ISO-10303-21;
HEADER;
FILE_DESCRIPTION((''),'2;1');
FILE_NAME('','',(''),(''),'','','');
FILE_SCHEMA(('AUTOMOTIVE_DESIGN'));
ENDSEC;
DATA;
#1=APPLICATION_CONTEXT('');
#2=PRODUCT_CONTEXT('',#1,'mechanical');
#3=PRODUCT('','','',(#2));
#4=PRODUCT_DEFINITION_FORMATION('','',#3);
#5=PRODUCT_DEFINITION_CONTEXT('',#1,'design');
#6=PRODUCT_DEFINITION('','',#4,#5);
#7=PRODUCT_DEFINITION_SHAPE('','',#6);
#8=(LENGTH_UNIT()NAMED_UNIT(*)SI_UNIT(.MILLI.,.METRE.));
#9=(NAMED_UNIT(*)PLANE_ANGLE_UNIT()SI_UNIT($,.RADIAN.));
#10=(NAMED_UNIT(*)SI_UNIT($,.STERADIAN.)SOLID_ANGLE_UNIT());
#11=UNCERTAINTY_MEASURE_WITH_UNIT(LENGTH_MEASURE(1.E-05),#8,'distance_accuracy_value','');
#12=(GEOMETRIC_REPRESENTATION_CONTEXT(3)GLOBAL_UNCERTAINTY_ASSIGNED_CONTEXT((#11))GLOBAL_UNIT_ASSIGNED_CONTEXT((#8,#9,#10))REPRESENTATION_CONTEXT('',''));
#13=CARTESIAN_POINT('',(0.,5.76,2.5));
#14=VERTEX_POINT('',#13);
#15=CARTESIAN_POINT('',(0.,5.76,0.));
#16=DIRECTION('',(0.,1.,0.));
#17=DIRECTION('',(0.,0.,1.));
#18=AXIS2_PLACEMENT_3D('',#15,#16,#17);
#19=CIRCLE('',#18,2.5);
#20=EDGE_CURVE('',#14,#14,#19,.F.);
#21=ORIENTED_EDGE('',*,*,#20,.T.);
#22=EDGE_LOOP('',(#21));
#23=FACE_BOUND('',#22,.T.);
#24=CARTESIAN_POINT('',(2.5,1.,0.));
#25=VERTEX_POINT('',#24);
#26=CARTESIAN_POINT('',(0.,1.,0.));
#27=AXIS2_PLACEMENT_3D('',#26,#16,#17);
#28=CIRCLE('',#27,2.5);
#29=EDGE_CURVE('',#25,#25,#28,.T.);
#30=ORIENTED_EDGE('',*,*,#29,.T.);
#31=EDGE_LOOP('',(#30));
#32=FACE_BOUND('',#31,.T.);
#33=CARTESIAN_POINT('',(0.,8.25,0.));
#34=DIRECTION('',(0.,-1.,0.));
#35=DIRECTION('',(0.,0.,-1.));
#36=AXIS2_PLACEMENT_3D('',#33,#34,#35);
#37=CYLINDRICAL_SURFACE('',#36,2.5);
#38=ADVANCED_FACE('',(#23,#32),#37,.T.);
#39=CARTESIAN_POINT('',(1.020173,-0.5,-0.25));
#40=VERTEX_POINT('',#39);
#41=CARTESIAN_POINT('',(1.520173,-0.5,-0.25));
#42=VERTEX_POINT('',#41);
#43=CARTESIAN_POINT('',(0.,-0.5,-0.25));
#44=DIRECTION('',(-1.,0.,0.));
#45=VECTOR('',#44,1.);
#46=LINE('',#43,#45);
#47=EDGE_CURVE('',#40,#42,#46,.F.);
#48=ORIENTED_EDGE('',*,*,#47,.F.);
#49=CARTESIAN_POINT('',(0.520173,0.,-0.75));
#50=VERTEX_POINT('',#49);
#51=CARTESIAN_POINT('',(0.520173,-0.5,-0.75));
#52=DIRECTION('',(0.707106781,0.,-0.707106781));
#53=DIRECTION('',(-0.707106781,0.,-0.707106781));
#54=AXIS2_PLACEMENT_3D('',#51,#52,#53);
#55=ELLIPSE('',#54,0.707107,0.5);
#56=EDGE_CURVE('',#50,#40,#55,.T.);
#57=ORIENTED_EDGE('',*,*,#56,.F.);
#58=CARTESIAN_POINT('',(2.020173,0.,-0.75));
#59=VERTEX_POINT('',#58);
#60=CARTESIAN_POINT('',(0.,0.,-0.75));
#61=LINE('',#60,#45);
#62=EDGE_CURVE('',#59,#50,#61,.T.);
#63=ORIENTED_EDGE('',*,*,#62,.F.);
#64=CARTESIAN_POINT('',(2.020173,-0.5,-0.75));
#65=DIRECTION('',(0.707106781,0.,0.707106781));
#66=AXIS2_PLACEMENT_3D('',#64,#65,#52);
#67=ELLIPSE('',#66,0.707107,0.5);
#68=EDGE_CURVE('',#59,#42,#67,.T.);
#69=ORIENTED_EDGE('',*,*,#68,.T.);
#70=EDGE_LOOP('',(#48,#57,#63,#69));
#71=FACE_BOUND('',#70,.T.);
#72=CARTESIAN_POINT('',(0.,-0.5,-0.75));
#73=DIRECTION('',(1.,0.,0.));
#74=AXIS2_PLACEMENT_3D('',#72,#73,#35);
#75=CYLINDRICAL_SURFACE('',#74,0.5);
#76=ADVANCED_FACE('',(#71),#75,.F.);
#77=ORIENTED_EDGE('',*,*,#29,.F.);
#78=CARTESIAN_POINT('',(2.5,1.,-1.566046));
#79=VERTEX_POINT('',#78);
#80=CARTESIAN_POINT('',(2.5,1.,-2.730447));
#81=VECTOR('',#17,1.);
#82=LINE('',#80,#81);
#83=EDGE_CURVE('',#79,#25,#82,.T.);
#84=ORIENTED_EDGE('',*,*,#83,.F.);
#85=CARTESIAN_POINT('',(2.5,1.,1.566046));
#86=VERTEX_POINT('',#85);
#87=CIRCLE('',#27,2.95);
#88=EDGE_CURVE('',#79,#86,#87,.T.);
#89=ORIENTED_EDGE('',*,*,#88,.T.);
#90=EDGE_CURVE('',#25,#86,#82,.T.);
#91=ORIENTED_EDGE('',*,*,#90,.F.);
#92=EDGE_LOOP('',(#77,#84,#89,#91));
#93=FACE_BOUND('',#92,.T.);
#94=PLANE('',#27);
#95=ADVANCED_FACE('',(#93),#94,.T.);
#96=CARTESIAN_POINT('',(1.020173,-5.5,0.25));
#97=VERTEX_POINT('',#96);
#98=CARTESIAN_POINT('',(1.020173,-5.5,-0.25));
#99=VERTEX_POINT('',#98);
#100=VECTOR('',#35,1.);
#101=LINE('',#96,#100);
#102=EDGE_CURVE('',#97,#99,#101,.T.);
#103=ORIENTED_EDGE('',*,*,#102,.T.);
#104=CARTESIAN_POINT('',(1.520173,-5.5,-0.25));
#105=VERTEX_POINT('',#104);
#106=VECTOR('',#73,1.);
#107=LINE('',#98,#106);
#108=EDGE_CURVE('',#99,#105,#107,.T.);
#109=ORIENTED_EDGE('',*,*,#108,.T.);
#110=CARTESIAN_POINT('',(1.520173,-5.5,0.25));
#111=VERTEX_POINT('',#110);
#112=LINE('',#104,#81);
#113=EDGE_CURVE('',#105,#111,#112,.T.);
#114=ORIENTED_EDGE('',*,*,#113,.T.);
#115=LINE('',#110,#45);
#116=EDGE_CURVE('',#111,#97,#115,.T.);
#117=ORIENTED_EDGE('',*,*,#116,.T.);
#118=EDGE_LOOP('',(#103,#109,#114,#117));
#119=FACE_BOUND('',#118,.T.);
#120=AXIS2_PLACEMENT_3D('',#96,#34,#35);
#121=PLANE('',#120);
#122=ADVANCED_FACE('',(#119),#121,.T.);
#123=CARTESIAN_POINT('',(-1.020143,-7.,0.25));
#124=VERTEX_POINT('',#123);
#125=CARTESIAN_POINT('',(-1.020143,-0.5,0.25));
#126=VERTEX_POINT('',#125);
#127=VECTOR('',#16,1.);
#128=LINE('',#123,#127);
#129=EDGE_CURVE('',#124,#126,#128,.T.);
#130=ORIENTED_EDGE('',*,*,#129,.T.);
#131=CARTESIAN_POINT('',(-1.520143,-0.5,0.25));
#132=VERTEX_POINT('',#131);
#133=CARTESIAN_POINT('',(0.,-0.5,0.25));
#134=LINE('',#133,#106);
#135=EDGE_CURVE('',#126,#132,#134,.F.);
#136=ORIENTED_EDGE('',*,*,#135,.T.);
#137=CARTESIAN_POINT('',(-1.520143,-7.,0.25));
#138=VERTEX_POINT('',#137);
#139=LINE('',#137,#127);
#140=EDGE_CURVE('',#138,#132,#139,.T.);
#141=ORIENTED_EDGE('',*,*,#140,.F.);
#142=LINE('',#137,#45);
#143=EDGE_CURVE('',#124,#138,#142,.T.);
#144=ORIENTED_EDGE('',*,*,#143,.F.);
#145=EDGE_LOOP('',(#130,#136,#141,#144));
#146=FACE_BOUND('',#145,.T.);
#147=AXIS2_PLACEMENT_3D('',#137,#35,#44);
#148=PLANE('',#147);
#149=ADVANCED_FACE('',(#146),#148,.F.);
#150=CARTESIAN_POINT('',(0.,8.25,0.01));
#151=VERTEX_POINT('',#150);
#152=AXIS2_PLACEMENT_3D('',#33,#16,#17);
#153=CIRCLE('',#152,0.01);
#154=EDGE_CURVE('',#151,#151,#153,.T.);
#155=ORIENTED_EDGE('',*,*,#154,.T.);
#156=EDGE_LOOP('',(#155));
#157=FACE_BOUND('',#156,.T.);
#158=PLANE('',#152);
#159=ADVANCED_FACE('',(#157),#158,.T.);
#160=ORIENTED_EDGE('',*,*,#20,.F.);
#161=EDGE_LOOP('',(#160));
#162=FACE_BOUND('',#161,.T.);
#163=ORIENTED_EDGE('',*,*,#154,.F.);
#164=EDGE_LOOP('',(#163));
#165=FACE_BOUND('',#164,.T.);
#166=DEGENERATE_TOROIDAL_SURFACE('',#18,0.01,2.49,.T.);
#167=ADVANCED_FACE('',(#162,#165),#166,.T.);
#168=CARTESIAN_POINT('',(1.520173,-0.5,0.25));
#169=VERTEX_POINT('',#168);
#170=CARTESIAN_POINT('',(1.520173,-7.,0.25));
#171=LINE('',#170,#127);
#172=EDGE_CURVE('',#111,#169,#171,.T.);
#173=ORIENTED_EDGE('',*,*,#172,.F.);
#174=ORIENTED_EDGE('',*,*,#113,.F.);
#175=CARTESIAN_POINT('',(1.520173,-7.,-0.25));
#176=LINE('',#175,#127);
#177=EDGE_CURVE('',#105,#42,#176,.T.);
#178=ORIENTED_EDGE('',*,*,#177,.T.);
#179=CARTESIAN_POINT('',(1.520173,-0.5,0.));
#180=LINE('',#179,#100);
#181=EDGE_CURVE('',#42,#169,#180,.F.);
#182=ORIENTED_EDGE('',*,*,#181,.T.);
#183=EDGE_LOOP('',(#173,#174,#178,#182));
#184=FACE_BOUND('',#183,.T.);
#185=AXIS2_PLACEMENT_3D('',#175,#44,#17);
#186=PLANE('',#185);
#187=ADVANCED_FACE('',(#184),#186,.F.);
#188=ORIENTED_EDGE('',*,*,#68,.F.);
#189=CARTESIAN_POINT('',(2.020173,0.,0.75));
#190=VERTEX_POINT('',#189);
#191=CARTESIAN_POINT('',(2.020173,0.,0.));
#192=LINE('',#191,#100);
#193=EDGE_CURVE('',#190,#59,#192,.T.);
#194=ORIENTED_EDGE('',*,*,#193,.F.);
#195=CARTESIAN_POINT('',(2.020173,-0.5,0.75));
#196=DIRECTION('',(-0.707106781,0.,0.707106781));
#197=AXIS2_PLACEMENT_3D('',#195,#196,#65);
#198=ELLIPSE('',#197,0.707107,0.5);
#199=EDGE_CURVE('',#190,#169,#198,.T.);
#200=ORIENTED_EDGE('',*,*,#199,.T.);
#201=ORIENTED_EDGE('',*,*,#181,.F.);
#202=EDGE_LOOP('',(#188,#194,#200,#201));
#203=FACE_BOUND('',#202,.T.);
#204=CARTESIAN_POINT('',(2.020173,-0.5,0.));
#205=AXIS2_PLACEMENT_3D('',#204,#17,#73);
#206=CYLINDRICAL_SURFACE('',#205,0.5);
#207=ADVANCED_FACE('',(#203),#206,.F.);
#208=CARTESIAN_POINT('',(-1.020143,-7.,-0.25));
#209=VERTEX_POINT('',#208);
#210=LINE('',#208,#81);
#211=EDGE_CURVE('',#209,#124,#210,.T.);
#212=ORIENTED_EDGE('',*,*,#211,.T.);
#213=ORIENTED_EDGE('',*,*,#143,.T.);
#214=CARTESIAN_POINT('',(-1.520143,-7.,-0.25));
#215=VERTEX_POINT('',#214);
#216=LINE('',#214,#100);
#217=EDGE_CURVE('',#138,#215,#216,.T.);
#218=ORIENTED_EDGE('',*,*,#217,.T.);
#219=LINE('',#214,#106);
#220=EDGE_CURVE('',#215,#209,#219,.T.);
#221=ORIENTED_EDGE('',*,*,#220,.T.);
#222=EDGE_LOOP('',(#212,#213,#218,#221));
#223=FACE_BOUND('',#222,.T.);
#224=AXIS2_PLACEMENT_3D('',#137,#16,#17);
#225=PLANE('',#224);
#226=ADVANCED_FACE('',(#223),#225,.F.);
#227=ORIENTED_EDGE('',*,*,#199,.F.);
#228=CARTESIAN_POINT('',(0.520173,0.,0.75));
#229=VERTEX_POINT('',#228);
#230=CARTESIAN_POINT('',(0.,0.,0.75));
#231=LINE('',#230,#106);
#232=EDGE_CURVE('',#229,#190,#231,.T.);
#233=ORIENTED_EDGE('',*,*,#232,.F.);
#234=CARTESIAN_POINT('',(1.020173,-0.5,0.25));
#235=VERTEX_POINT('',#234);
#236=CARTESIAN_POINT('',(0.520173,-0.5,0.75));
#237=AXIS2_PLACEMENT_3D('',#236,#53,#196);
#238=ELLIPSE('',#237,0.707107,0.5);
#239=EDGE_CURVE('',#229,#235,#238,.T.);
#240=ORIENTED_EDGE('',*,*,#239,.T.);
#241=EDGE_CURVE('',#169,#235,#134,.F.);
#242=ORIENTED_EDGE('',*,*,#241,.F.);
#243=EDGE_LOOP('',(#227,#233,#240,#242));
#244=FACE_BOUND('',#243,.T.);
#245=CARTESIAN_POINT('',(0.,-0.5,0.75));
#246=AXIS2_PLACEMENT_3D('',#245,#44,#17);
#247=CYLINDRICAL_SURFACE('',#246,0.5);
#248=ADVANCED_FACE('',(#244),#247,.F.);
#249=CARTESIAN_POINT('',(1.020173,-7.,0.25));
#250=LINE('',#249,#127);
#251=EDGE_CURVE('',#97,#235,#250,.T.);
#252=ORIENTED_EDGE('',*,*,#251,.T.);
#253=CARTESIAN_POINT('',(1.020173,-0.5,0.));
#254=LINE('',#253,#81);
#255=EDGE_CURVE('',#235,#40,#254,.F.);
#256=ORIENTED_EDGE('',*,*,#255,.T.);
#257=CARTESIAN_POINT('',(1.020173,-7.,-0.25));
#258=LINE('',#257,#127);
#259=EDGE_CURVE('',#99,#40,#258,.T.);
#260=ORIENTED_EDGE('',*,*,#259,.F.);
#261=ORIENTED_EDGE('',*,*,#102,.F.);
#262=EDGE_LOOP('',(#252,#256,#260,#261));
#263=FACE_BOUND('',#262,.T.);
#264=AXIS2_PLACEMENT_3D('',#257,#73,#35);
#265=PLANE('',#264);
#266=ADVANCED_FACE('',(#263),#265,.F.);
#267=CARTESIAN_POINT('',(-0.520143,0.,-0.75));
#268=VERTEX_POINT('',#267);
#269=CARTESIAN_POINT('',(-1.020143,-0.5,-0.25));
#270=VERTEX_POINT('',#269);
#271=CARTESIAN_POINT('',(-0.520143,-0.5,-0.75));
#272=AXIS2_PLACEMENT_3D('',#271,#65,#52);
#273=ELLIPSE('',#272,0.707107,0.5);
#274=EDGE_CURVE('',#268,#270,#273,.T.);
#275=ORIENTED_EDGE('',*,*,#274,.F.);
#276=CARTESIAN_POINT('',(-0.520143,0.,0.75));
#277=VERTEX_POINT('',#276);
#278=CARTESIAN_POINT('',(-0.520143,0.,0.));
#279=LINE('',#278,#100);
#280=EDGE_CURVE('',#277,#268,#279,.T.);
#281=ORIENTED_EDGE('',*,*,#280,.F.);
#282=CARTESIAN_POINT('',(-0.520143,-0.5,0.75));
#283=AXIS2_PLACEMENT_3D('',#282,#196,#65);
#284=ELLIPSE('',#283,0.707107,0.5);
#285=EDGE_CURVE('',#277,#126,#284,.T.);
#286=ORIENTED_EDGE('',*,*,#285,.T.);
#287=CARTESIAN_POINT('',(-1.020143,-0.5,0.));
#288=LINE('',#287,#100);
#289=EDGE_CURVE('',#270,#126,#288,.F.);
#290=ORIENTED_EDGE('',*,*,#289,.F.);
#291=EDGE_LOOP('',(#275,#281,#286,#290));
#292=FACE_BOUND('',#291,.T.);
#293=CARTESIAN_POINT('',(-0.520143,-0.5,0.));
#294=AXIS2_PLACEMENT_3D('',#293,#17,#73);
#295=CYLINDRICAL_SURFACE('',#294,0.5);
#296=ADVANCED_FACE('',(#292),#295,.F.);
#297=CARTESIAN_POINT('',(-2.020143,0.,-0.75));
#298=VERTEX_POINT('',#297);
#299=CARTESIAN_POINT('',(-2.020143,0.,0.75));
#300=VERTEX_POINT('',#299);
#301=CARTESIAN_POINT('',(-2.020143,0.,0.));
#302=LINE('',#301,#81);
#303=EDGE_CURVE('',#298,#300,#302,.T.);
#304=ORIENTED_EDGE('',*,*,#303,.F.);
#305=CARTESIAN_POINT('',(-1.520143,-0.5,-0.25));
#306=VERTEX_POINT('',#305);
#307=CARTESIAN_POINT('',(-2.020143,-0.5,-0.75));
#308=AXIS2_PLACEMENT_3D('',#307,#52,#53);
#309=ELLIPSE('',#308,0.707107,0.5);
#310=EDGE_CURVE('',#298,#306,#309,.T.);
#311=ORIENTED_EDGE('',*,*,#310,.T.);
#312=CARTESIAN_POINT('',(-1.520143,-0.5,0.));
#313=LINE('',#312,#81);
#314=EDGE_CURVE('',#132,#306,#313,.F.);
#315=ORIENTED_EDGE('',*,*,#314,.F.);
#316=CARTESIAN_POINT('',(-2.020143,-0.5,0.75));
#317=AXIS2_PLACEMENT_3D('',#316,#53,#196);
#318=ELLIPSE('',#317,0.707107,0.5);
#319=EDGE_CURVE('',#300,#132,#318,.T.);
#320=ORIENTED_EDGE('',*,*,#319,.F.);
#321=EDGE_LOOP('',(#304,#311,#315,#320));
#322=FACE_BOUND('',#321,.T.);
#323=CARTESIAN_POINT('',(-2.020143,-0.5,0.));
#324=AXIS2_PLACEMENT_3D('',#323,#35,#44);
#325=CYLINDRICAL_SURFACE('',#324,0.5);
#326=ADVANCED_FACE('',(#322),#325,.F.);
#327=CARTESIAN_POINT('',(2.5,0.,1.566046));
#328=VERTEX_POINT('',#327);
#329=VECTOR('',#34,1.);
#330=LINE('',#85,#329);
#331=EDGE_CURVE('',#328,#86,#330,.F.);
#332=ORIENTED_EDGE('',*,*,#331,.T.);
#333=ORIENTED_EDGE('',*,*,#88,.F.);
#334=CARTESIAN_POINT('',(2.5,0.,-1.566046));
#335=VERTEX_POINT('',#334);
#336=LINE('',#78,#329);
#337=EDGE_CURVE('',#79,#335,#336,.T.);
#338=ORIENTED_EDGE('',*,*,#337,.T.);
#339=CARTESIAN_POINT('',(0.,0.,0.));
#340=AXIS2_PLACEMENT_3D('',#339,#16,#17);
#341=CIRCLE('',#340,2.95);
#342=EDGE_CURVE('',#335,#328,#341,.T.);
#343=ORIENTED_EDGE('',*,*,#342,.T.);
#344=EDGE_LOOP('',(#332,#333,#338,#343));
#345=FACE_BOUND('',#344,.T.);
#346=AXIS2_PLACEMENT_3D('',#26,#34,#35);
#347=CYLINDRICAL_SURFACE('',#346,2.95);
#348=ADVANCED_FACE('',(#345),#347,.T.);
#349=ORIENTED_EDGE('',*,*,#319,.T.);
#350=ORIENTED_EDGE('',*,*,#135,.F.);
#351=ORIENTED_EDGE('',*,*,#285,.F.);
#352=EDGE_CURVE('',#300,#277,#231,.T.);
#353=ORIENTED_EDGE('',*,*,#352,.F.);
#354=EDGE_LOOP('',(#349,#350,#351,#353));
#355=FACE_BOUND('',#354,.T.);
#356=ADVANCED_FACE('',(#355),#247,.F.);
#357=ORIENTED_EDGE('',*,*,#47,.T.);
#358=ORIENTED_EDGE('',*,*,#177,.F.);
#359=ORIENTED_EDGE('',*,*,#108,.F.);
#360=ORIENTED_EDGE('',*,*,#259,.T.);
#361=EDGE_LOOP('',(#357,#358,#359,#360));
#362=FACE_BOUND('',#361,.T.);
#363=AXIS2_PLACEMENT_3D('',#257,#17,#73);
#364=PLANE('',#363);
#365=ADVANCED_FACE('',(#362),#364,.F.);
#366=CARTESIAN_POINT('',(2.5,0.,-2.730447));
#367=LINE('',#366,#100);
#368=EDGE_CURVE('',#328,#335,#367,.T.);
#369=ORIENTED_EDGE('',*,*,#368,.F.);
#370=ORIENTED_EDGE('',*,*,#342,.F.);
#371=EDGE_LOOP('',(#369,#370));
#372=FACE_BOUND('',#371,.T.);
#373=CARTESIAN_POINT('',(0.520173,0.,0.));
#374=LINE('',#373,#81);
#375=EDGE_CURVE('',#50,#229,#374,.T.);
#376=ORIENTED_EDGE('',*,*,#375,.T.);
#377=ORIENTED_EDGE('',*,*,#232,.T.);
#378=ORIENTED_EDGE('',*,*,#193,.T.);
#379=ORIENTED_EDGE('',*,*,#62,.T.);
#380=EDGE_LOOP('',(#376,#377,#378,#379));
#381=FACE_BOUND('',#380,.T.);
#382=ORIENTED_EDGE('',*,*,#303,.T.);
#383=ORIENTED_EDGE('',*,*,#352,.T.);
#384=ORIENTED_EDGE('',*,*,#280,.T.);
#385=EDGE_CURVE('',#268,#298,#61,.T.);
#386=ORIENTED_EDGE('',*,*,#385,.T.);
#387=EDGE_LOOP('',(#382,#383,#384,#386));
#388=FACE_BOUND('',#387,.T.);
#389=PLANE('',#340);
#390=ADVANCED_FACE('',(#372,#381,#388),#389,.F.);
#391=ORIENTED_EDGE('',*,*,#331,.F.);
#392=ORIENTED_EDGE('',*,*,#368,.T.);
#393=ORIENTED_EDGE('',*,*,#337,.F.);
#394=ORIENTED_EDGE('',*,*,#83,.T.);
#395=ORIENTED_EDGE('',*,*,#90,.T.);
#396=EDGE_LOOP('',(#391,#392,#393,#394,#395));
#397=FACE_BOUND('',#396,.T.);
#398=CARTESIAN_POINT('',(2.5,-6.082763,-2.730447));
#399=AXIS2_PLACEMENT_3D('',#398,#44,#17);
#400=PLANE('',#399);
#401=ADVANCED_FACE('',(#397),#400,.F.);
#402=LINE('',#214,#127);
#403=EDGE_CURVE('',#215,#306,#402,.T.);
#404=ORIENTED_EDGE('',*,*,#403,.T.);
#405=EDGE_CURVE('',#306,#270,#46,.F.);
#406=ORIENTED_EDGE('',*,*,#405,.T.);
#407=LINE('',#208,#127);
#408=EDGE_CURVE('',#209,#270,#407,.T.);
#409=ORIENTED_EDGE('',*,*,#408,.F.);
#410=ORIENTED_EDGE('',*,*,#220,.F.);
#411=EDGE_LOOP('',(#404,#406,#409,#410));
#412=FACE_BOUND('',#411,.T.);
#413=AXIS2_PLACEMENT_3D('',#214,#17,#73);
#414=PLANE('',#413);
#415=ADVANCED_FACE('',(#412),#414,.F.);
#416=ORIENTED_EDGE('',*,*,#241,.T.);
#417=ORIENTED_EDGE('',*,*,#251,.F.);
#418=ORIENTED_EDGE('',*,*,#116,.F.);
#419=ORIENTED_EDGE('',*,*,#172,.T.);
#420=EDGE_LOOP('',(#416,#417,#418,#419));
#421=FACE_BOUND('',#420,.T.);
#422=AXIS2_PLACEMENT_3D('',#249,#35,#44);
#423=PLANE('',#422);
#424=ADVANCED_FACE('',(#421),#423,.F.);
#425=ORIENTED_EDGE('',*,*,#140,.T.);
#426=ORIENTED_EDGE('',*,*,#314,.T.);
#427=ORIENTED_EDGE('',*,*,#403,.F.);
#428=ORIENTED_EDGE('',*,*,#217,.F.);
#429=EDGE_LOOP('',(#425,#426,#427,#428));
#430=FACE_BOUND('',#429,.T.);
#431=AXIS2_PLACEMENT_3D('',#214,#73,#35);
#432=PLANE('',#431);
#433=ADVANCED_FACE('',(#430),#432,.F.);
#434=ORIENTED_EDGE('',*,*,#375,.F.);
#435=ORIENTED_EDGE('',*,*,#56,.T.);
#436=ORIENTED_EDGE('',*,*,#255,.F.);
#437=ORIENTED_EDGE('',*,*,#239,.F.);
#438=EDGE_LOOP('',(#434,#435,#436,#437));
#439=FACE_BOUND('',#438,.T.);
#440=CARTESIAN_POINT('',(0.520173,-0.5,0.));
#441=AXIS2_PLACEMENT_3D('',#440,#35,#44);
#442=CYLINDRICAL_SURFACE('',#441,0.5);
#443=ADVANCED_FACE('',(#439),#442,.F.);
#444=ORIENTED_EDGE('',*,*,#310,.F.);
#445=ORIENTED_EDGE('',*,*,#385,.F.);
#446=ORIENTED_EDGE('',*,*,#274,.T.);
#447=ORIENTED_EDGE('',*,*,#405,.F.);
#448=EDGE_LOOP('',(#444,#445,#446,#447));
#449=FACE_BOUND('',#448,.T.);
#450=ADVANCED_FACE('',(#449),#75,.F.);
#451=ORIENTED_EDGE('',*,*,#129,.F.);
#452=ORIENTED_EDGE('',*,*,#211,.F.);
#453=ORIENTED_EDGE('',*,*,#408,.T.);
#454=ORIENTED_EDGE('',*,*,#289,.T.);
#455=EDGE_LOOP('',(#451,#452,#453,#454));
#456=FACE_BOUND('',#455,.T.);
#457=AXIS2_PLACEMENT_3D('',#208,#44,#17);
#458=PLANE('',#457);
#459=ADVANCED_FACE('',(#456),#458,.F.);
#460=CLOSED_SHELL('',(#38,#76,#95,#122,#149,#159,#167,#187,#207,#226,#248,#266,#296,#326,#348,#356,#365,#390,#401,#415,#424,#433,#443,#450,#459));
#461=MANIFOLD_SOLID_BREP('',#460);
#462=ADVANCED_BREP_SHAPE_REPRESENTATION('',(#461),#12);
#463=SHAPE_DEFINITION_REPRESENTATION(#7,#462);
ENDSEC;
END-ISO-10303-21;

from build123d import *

# Parameters (mm, degrees)
CROQUIS1_R           = 2.95
BASE_DEPTH           = 1
CROQUIS2_R           = 2.5
CUERPO_DEL_LED_DEPTH = 7.25
CROQUIS3_W           = 0.5
CROQUIS3_H           = 0.5
PINES_DEPTH          = 7
CROQUIS4_W           = 0.5
CROQUIS4_H           = 0.5
CORTE_A_CATODO_DEPTH = 1.5
REDONDEO_A_ANODO_R   = 0.5
REDONDEO_A_CATODO_R  = 0.5
CROQUIS6_W           = 1
CROQUIS6_H           = 6
RANURA_DEPTH         = 1
PUNTA_DEL_LED_R      = 2.49


with BuildPart() as part:
    # Croquis1 → Base (new body)
    with BuildSketch(Plane(origin=(0, 0, 0), x_dir=(1, 0, 0), z_dir=(0, 1, 0))):
        Circle(CROQUIS1_R)
    extrude(amount=BASE_DEPTH)

    # Croquis2 → Cuerpo del LED (add)
    with BuildSketch(Plane(origin=(0, 1, 0), x_dir=(1, 0, 0), z_dir=(0, 1, 0))):
        Circle(CROQUIS2_R)
    extrude(amount=CUERPO_DEL_LED_DEPTH)

    # Croquis3 → Pines (add)
    with BuildSketch(Plane.XZ):
        with Locations((-1.270142923, 0)):
            Rectangle(CROQUIS3_W, CROQUIS3_H)
        with Locations((1.270172723, 0)):
            Rectangle(CROQUIS3_W, CROQUIS3_H)
    extrude(amount=PINES_DEPTH)

    # Croquis4 → Corte a Catodo (cut)
    with BuildSketch(Plane.XZ.offset(7)):
        with Locations((1.270172723, 0)):
            Rectangle(CROQUIS4_W, CROQUIS4_H)
    extrude(amount=-CORTE_A_CATODO_DEPTH, mode=Mode.SUBTRACT)

    # Redondeo a Anodo
    redondeo_a_anodo_edges = [part.edges().sort_by_distance(p)[0] for p in [
        (-1.520142923, 0, 0),
        (-1.270142923, 0, -0.25),
        (-1.020142923, 0, 0),
        (-1.270142923, 0, 0.25),
    ]]
    fillet(redondeo_a_anodo_edges, radius=REDONDEO_A_ANODO_R)

    # Redondeo a Catodo
    redondeo_a_catodo_edges = [part.edges().sort_by_distance(p)[0] for p in [
        (1.020172723, 0, 0),
        (1.270172723, 0, -0.25),
        (1.520172723, 0, 0),
        (1.270172723, 0, 0.25),
    ]]
    fillet(redondeo_a_catodo_edges, radius=REDONDEO_A_CATODO_R)

    # Croquis6 → Ranura (cut)
    with BuildSketch(Plane(origin=(0, 1, 0), x_dir=(1, 0, 0), z_dir=(0, 1, 0))):
        with Locations((3, -0.26955261)):
            Rectangle(CROQUIS6_W, CROQUIS6_H)
    extrude(amount=-RANURA_DEPTH, mode=Mode.SUBTRACT)

    # Punta del Led
    punta_del_led_edges = [part.edges().sort_by_distance(p)[0] for p in [
        (-2.5, 8.25, 0),
    ]]
    fillet(punta_del_led_edges, radius=PUNTA_DEL_LED_R)


solid = part.part
